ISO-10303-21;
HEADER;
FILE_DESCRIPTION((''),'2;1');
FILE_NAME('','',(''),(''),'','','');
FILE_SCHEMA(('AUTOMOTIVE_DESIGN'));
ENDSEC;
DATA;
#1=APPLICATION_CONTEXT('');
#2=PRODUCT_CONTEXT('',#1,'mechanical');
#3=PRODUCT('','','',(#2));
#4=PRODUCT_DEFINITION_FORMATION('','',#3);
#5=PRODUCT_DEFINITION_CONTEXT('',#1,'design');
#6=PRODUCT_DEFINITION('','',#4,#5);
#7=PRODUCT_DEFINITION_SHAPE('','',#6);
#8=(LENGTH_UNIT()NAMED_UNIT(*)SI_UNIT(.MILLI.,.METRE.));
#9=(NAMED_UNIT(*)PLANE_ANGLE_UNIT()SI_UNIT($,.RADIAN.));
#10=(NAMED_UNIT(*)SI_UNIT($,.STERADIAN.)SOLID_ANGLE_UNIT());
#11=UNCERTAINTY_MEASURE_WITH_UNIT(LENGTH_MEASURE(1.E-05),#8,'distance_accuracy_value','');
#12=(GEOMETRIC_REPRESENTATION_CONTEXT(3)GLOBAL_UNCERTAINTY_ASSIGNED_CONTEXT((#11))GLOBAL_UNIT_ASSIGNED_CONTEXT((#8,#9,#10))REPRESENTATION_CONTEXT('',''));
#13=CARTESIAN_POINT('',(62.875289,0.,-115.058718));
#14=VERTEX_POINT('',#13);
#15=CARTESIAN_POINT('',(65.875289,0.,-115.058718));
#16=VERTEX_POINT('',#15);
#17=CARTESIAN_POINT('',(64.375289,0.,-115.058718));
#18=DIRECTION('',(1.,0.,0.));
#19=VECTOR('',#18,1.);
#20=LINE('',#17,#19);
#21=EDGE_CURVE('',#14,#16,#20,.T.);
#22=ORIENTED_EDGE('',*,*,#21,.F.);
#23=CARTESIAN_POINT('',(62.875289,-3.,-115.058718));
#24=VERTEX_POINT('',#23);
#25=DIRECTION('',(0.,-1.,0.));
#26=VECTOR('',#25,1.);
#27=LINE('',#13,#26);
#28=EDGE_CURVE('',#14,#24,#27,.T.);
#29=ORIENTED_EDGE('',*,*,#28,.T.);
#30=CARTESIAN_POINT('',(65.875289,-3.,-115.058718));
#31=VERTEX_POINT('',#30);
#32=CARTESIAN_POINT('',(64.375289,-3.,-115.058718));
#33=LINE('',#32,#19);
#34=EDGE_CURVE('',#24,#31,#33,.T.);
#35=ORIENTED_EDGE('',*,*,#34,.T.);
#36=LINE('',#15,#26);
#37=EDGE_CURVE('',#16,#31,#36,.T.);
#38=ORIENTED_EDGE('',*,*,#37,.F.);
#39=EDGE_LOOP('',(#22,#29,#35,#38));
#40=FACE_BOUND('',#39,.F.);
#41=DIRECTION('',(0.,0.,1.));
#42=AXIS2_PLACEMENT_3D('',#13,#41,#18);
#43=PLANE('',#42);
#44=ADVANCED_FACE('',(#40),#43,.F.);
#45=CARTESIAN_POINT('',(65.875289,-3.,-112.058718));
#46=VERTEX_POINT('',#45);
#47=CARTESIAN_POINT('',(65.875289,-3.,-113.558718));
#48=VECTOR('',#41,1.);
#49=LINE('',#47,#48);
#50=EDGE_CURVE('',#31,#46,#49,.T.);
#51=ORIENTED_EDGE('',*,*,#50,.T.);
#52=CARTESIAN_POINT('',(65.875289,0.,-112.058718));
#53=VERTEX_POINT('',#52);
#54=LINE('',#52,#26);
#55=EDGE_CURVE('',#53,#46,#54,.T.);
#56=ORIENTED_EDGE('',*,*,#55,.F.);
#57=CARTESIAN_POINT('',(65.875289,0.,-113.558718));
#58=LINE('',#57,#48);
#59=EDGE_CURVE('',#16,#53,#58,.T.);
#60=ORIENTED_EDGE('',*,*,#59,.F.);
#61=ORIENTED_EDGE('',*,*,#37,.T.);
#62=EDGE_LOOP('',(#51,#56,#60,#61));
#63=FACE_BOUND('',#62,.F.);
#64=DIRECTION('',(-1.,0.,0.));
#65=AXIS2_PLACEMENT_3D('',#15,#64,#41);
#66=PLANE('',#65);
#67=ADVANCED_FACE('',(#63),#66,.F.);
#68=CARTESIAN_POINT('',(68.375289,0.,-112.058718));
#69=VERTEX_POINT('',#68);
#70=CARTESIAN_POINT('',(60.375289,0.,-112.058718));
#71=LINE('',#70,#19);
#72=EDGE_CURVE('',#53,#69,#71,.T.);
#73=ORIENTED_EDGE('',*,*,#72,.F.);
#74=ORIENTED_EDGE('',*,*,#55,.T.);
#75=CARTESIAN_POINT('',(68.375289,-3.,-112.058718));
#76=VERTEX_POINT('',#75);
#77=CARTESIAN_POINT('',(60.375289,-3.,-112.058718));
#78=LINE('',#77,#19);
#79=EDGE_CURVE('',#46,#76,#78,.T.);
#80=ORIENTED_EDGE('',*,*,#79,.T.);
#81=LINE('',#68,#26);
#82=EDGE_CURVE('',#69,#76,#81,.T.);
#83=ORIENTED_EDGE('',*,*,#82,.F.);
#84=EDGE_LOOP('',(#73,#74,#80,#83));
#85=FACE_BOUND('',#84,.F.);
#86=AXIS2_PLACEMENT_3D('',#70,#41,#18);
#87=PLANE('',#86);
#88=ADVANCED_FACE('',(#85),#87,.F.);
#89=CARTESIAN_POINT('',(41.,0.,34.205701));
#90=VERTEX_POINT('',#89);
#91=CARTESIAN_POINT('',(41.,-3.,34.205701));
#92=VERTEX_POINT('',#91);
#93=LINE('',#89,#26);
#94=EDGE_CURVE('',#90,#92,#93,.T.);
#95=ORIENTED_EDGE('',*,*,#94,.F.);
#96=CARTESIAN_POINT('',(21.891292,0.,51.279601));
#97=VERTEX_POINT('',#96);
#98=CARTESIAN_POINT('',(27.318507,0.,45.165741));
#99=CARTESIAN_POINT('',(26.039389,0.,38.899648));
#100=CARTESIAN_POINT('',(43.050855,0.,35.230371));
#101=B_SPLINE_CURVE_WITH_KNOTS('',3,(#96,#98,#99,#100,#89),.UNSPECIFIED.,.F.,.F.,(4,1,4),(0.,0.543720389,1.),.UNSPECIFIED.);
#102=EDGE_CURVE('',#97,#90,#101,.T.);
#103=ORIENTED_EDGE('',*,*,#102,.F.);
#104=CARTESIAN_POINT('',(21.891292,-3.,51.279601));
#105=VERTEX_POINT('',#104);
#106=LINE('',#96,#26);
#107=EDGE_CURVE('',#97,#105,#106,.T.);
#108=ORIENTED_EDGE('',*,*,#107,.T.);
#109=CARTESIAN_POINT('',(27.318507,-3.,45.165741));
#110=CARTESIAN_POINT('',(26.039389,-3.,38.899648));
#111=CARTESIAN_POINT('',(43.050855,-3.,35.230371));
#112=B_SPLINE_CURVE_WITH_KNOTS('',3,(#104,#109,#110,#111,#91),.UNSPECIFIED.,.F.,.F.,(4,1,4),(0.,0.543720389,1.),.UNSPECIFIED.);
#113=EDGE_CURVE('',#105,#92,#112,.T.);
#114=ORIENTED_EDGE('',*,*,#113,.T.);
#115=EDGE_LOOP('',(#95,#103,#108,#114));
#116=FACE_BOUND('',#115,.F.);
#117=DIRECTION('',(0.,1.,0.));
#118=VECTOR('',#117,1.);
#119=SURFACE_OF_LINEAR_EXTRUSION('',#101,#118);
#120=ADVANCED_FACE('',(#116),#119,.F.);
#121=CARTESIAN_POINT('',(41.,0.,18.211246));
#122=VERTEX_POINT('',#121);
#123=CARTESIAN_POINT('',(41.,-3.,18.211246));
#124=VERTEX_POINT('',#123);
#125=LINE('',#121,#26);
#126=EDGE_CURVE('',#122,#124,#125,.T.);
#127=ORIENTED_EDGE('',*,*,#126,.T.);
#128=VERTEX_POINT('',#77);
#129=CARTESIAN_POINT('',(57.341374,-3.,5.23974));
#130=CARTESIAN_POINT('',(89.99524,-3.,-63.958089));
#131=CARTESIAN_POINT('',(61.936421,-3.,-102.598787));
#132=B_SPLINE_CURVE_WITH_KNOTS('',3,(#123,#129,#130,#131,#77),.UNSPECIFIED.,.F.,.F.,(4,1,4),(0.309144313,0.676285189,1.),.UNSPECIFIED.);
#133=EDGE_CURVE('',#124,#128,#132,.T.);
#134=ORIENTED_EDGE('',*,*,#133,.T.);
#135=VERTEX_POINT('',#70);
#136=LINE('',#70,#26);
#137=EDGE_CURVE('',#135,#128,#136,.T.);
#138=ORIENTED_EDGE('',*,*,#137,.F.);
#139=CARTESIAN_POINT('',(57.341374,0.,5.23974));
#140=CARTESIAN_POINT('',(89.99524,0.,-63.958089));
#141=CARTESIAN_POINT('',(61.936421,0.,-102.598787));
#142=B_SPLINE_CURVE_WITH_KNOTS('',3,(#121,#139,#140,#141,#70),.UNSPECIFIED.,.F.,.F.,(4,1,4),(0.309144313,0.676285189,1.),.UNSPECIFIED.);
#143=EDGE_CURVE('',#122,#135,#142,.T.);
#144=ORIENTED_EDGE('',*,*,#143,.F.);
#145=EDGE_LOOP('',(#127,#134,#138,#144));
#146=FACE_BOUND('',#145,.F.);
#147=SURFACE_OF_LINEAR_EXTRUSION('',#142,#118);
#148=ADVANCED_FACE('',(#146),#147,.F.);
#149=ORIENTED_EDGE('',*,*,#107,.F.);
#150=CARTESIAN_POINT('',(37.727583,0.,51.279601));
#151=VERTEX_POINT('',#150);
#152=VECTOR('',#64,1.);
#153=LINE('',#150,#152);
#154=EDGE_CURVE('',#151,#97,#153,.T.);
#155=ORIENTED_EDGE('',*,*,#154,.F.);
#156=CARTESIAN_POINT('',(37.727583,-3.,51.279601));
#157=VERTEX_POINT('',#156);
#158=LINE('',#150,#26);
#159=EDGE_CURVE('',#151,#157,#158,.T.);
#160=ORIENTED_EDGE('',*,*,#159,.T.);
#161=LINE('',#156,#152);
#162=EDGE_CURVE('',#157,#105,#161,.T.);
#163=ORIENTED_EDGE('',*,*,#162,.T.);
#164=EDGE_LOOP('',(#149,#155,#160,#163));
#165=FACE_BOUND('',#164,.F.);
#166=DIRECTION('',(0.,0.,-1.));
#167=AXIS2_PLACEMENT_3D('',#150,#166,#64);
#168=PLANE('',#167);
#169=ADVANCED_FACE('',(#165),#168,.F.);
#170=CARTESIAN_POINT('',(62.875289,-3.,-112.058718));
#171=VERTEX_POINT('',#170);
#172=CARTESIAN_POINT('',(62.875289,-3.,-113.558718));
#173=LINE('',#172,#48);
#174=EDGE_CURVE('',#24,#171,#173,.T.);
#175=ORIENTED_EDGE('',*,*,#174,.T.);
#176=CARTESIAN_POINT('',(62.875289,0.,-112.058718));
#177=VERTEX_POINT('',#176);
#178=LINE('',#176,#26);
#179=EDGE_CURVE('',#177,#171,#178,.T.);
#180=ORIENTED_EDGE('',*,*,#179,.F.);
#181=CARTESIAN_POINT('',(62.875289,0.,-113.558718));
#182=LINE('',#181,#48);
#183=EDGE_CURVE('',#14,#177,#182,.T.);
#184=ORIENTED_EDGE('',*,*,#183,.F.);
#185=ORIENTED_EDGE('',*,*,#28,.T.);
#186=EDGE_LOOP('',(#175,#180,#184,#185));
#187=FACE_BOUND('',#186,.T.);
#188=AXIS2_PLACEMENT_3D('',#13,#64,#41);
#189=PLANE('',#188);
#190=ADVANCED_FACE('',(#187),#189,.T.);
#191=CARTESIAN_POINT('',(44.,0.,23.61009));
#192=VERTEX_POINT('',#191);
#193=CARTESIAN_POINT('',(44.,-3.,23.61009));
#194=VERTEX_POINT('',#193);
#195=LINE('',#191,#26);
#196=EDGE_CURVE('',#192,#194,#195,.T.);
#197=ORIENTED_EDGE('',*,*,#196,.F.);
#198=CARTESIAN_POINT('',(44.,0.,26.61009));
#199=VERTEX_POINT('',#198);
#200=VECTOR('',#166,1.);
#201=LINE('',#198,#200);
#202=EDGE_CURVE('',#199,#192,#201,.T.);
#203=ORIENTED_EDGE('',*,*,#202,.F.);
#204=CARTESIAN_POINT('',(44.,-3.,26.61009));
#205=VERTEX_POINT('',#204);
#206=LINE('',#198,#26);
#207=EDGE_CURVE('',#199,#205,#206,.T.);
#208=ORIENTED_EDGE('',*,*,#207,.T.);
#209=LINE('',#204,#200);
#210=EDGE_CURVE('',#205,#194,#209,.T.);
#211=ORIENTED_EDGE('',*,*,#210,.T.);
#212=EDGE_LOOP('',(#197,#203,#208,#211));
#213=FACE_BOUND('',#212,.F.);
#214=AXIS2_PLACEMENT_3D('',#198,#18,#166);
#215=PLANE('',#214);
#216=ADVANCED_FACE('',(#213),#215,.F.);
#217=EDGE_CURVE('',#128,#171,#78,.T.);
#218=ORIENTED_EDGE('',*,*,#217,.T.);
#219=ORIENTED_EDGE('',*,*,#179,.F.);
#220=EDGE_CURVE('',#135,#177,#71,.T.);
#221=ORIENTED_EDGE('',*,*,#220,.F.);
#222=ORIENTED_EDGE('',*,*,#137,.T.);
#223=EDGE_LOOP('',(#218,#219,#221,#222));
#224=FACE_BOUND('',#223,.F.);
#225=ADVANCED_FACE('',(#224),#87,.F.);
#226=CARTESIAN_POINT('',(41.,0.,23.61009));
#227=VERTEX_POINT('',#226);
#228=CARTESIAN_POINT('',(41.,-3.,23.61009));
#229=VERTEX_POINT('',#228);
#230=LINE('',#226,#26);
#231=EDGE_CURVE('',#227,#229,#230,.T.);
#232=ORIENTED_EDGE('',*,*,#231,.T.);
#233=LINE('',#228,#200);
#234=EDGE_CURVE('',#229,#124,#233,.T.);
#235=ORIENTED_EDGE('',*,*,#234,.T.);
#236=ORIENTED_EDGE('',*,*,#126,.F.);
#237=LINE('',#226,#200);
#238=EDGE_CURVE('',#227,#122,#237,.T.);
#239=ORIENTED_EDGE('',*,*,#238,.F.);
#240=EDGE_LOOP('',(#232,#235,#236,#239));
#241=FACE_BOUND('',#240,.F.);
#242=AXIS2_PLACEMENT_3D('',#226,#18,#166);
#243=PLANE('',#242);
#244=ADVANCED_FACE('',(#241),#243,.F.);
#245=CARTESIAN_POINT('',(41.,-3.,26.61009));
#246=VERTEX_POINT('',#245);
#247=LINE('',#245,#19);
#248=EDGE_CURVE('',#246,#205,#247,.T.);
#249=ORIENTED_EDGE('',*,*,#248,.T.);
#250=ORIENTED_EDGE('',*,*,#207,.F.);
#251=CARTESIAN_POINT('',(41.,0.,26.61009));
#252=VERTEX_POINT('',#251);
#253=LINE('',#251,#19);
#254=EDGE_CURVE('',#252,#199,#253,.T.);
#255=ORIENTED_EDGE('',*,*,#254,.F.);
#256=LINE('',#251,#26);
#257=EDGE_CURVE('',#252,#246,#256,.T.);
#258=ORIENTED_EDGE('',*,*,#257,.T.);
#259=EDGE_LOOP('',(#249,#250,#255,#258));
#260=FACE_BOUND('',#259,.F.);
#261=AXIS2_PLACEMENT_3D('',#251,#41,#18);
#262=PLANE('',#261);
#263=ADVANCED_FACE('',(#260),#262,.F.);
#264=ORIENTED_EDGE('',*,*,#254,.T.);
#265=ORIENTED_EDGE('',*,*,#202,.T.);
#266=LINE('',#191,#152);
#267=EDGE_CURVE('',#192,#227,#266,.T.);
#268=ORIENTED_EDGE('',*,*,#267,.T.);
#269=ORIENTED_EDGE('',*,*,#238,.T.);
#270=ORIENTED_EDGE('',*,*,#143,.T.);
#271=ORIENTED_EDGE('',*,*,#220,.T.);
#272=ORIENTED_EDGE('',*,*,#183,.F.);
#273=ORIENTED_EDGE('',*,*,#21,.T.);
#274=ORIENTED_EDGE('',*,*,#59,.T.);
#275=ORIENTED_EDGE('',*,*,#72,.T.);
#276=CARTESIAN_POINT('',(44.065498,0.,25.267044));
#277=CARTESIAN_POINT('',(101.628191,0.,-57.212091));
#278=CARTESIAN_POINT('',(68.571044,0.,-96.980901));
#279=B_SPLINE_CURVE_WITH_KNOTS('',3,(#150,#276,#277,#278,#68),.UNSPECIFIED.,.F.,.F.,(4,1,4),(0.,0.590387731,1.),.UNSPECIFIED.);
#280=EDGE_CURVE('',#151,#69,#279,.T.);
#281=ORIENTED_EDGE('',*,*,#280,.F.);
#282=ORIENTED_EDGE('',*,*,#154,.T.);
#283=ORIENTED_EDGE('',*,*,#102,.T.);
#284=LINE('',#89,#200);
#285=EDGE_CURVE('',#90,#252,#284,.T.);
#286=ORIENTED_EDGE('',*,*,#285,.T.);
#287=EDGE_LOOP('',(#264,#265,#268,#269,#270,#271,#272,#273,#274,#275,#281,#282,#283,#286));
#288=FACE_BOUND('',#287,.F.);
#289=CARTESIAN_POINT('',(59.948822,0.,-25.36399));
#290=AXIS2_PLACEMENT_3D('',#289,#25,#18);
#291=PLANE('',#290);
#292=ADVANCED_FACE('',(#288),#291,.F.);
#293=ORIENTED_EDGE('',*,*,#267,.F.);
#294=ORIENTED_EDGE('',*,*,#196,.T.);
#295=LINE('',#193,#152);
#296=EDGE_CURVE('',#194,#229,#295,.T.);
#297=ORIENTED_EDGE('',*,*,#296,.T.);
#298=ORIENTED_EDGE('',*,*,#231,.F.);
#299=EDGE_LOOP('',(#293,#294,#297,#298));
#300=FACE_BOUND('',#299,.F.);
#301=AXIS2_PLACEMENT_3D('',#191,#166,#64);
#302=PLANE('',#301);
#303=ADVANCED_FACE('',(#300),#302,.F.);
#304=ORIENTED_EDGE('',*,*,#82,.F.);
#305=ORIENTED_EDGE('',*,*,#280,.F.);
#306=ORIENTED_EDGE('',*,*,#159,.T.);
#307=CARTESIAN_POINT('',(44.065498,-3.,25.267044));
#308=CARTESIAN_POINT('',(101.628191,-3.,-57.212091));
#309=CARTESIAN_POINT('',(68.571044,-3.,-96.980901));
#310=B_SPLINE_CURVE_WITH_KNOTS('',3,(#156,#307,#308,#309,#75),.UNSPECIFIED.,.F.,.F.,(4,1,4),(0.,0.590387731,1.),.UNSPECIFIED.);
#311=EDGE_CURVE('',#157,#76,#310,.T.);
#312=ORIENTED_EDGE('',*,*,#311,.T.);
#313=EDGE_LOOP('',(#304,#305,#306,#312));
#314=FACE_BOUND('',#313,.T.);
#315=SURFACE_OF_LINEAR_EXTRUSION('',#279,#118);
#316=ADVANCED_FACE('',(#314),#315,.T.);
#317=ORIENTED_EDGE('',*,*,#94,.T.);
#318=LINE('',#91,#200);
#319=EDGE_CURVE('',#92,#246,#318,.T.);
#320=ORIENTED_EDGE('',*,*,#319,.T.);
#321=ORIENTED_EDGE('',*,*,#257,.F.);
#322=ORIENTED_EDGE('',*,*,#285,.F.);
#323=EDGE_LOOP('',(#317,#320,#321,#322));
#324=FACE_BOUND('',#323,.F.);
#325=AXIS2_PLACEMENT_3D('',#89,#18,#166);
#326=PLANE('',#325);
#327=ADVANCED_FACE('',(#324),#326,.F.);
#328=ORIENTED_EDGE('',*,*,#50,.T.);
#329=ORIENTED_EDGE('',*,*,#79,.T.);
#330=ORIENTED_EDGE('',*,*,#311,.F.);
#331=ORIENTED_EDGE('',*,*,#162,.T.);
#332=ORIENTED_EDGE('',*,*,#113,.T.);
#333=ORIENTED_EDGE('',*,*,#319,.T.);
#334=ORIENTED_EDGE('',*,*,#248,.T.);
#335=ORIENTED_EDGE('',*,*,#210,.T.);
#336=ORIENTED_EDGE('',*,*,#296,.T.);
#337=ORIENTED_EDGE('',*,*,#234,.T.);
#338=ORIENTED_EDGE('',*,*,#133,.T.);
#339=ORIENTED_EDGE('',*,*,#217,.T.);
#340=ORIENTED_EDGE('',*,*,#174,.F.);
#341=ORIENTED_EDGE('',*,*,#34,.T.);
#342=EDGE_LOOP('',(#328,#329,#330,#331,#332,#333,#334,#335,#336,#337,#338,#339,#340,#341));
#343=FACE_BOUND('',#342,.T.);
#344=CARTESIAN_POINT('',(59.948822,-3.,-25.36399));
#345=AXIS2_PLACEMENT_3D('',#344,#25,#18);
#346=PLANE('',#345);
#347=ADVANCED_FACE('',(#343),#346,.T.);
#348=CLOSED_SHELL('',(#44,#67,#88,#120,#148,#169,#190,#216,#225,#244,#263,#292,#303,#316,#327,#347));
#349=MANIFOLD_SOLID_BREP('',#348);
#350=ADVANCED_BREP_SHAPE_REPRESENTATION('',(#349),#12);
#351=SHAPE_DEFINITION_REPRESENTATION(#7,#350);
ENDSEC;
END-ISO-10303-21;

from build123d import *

# Parameters (mm, degrees)
F1_DEPTH = 3
F2_W     = 3
F2_H     = 3
F3_DEPTH = 3


with BuildPart() as f1:
    # F0 (on Front) → F1 (new body)
    with BuildSketch(Plane.XZ):
        with BuildLine():
            Line((37.7275831997, 51.2796007097), (21.8912921846, 51.2796007097))
            add(Edge.make_bspline(
                [(21.8912921846, 51.2796007097), (27.3185072373, 45.1657411064), (26.039388682, 38.8996476775), (43.0508547476, 35.2303709053), (41, 34.2057006066)],
                knots=[0, 0, 0, 0, 0.5437203888, 1, 1, 1, 1], degree=3))
            Line((41, 34.2057006066), (41, 26.6100899651))
            Line((41, 26.6100899651), (44, 26.6100899651))
            Line((44, 26.6100899651), (44, 23.6100899651))
            Line((44, 23.6100899651), (41, 23.6100899651))
            Line((41, 23.6100899651), (41, 18.211246145))
            add(Edge.make_bspline(
                [(41, 18.211246145), (57.3413741866, 5.2397402187), (89.9952397738, -63.9580892481), (61.936421338, -102.5987867584), (60.3752894402, -112.0587181645)],
                knots=[0.3091443125, 0.3091443125, 0.3091443125, 0.3091443125, 0.6762851886, 1, 1, 1, 1], degree=3))
            Line((60.3752894402, -112.0587181645), (68.3752894402, -112.0587181645))
            add(Edge.make_bspline(
                [(37.7275831997, 51.2796007097), (44.065497615, 25.2670443927), (101.6281908906, -57.2120908678), (68.5710443155, -96.9809014754), (68.3752894402, -112.0587181645)],
                knots=[0, 0, 0, 0, 0.5903877314, 1, 1, 1, 1], degree=3))
        make_face()
    extrude(amount=F1_DEPTH)

    # F2 (on Front) → F3 (join)
    with BuildSketch(Plane.XZ):
        with Locations((64.3752894402, -113.5587181645)):
            Rectangle(F2_W, F2_H)
    extrude(amount=F3_DEPTH)


solid = f1.part
